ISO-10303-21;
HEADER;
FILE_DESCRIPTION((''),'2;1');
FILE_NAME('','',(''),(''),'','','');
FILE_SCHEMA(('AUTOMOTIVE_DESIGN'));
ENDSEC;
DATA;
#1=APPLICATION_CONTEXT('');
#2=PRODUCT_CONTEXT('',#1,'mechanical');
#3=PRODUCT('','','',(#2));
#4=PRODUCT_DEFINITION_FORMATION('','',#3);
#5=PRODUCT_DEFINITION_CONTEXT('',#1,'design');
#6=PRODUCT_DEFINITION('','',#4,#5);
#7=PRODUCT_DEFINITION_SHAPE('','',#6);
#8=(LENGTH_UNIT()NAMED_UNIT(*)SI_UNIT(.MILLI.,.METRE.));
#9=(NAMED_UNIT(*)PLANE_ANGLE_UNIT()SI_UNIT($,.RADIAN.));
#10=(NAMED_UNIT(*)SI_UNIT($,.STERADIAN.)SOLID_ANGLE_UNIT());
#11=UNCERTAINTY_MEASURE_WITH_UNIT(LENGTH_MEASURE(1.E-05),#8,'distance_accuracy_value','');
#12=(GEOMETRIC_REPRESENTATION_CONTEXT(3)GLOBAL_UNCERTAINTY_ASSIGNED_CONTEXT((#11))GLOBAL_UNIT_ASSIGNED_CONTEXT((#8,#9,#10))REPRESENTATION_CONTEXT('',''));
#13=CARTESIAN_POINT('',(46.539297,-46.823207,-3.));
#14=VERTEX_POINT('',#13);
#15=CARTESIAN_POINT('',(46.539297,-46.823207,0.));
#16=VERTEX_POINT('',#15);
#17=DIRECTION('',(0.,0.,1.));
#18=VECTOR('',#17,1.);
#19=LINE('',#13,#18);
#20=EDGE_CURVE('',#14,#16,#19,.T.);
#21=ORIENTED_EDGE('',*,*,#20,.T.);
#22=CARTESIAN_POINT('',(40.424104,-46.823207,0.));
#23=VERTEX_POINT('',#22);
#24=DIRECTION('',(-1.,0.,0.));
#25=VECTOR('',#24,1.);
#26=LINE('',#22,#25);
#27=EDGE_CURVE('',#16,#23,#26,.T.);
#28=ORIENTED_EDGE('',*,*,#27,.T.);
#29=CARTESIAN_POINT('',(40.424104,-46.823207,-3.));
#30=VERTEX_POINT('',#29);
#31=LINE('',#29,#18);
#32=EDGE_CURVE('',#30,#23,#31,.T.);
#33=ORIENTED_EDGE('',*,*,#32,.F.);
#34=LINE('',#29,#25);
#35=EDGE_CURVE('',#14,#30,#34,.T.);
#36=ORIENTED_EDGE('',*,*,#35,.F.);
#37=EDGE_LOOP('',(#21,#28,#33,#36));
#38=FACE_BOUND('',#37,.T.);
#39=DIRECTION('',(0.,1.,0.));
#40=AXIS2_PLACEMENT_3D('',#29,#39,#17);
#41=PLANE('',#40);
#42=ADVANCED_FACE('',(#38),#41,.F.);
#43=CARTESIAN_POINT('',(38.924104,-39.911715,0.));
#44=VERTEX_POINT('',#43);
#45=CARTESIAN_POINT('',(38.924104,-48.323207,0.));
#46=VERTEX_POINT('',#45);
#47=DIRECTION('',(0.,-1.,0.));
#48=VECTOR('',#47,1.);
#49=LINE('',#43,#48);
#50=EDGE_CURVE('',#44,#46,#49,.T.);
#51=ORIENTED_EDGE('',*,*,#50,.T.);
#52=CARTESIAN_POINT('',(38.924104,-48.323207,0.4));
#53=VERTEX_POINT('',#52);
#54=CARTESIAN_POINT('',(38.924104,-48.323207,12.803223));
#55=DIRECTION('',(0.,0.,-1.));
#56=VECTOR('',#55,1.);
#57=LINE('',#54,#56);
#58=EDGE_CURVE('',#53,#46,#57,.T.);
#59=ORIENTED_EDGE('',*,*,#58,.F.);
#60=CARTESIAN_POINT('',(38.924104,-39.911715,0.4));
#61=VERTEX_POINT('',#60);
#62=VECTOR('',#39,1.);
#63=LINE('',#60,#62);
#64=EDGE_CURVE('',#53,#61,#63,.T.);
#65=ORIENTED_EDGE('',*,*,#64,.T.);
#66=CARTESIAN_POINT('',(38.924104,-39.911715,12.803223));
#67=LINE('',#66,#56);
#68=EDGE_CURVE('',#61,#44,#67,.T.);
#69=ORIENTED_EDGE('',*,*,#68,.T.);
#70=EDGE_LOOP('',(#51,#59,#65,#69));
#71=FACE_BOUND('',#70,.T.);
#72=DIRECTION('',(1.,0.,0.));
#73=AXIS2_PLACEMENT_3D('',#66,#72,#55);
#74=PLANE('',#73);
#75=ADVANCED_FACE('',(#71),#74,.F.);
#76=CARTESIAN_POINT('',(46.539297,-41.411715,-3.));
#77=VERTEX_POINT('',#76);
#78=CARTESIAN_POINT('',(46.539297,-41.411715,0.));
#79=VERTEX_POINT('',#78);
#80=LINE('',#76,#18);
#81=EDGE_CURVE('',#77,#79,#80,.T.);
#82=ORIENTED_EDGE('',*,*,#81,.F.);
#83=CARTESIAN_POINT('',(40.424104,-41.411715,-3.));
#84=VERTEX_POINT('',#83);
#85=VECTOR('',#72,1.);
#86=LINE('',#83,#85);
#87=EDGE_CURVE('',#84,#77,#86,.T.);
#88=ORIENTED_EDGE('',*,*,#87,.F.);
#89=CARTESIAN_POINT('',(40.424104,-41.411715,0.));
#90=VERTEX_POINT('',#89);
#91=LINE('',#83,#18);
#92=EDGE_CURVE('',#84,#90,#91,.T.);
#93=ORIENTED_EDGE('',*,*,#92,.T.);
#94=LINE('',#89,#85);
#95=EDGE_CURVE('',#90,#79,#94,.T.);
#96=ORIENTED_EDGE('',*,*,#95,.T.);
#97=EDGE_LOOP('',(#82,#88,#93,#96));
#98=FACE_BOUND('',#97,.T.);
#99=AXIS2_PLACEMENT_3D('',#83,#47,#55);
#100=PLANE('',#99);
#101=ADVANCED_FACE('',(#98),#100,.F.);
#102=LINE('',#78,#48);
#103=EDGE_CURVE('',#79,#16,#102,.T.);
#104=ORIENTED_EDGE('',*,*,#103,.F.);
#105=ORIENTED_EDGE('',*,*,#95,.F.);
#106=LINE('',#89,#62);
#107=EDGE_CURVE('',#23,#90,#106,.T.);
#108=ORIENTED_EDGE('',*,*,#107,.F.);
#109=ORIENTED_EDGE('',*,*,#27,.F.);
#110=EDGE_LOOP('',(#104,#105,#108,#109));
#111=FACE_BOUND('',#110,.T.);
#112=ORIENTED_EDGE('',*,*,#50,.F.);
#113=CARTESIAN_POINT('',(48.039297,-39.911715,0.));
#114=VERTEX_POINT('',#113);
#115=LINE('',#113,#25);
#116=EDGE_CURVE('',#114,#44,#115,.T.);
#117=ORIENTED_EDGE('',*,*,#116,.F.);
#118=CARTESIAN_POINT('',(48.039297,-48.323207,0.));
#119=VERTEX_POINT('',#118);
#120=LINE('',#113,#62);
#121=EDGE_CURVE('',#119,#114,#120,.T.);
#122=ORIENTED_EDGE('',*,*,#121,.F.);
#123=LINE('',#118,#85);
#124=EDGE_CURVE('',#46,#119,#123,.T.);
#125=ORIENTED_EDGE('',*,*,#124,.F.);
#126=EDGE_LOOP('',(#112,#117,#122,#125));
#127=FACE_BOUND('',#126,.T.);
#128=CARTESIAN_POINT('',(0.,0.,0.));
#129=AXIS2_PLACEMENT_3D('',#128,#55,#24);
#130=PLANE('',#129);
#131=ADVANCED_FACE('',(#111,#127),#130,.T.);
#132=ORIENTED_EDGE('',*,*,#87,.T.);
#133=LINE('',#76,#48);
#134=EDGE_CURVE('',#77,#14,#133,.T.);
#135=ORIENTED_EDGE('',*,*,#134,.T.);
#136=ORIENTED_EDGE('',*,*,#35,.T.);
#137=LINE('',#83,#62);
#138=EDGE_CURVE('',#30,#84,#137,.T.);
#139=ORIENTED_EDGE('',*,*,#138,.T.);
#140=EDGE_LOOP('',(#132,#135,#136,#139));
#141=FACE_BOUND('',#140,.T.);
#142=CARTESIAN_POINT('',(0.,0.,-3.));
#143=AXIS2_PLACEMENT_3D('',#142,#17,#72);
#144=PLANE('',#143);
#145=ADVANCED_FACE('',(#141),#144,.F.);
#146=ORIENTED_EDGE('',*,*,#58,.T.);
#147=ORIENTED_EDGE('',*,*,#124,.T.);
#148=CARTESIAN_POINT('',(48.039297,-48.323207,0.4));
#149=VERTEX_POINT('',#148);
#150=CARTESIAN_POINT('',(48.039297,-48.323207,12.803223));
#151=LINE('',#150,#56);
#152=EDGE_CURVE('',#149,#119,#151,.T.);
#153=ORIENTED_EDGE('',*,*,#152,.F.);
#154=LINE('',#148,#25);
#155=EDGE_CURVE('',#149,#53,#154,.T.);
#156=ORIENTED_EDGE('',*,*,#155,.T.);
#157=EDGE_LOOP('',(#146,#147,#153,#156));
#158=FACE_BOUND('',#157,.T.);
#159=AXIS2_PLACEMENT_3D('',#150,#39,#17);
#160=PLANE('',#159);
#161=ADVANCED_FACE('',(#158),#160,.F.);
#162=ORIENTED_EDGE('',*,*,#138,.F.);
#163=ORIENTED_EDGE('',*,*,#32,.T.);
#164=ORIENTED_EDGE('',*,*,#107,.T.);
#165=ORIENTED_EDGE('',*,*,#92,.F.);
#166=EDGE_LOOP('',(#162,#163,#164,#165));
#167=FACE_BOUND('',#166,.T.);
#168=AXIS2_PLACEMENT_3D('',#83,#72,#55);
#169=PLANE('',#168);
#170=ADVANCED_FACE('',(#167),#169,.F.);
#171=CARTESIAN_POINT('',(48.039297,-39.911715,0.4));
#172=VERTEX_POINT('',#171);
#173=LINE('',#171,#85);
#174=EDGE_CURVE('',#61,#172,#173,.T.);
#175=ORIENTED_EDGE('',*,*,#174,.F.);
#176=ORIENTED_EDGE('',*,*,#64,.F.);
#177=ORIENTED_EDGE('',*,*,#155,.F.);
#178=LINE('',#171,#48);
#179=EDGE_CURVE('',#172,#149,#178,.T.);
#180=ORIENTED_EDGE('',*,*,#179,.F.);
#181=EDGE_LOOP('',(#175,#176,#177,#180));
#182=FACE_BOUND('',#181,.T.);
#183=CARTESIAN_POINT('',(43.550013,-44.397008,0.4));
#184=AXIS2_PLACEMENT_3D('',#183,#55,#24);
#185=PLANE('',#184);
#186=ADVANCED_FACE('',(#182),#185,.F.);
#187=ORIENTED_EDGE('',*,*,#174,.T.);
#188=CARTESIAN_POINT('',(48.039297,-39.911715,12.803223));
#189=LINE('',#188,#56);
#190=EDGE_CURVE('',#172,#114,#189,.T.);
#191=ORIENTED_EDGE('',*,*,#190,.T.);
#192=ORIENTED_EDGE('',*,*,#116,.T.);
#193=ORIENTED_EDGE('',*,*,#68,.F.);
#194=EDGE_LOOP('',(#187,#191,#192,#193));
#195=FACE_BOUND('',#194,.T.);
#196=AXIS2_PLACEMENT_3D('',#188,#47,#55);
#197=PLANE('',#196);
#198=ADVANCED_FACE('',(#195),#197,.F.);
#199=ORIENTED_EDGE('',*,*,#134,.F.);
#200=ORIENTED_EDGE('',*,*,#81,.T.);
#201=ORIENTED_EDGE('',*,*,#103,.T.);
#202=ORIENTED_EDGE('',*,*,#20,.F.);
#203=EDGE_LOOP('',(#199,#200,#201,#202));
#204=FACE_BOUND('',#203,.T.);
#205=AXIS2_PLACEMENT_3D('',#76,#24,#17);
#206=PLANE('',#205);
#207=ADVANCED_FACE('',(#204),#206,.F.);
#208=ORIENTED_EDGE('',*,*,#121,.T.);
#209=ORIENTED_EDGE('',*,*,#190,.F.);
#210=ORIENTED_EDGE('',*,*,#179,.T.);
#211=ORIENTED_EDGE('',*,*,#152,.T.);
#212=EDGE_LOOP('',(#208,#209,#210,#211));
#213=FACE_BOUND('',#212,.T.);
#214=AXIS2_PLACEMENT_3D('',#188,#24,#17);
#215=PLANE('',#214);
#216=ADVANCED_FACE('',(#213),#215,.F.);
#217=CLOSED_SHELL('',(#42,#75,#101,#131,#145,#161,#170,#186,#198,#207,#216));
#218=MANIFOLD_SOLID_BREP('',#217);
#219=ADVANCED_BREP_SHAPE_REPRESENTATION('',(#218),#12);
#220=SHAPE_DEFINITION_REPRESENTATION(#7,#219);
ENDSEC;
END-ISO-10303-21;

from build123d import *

# Parameters (mm, degrees)
SKETCH1_W           = 9.115192329
SKETCH1_H           = 8.411491988
BOSS_EXTRUDE1_DEPTH = 0.4
SKETCH2_W           = 6.115192329
SKETCH2_H           = 5.411491988
BOSS_EXTRUDE2_DEPTH = 3


with BuildPart() as part:
    # Sketch1 → Boss-Extrude1 (new body)
    with BuildSketch(Plane.XY):
        with Locations((43.481700364, -44.117460707)):
            Rectangle(SKETCH1_W, SKETCH1_H)
    extrude(amount=BOSS_EXTRUDE1_DEPTH)

    # Sketch2 → Boss-Extrude2 (add)
    with BuildSketch(Plane(origin=(0, 0, 0), x_dir=(-1, 0, 0), z_dir=(0, 0, -1))):
        with Locations((-43.481700364, -44.117460707)):
            Rectangle(SKETCH2_W, SKETCH2_H)
    extrude(amount=BOSS_EXTRUDE2_DEPTH)


solid = part.part
